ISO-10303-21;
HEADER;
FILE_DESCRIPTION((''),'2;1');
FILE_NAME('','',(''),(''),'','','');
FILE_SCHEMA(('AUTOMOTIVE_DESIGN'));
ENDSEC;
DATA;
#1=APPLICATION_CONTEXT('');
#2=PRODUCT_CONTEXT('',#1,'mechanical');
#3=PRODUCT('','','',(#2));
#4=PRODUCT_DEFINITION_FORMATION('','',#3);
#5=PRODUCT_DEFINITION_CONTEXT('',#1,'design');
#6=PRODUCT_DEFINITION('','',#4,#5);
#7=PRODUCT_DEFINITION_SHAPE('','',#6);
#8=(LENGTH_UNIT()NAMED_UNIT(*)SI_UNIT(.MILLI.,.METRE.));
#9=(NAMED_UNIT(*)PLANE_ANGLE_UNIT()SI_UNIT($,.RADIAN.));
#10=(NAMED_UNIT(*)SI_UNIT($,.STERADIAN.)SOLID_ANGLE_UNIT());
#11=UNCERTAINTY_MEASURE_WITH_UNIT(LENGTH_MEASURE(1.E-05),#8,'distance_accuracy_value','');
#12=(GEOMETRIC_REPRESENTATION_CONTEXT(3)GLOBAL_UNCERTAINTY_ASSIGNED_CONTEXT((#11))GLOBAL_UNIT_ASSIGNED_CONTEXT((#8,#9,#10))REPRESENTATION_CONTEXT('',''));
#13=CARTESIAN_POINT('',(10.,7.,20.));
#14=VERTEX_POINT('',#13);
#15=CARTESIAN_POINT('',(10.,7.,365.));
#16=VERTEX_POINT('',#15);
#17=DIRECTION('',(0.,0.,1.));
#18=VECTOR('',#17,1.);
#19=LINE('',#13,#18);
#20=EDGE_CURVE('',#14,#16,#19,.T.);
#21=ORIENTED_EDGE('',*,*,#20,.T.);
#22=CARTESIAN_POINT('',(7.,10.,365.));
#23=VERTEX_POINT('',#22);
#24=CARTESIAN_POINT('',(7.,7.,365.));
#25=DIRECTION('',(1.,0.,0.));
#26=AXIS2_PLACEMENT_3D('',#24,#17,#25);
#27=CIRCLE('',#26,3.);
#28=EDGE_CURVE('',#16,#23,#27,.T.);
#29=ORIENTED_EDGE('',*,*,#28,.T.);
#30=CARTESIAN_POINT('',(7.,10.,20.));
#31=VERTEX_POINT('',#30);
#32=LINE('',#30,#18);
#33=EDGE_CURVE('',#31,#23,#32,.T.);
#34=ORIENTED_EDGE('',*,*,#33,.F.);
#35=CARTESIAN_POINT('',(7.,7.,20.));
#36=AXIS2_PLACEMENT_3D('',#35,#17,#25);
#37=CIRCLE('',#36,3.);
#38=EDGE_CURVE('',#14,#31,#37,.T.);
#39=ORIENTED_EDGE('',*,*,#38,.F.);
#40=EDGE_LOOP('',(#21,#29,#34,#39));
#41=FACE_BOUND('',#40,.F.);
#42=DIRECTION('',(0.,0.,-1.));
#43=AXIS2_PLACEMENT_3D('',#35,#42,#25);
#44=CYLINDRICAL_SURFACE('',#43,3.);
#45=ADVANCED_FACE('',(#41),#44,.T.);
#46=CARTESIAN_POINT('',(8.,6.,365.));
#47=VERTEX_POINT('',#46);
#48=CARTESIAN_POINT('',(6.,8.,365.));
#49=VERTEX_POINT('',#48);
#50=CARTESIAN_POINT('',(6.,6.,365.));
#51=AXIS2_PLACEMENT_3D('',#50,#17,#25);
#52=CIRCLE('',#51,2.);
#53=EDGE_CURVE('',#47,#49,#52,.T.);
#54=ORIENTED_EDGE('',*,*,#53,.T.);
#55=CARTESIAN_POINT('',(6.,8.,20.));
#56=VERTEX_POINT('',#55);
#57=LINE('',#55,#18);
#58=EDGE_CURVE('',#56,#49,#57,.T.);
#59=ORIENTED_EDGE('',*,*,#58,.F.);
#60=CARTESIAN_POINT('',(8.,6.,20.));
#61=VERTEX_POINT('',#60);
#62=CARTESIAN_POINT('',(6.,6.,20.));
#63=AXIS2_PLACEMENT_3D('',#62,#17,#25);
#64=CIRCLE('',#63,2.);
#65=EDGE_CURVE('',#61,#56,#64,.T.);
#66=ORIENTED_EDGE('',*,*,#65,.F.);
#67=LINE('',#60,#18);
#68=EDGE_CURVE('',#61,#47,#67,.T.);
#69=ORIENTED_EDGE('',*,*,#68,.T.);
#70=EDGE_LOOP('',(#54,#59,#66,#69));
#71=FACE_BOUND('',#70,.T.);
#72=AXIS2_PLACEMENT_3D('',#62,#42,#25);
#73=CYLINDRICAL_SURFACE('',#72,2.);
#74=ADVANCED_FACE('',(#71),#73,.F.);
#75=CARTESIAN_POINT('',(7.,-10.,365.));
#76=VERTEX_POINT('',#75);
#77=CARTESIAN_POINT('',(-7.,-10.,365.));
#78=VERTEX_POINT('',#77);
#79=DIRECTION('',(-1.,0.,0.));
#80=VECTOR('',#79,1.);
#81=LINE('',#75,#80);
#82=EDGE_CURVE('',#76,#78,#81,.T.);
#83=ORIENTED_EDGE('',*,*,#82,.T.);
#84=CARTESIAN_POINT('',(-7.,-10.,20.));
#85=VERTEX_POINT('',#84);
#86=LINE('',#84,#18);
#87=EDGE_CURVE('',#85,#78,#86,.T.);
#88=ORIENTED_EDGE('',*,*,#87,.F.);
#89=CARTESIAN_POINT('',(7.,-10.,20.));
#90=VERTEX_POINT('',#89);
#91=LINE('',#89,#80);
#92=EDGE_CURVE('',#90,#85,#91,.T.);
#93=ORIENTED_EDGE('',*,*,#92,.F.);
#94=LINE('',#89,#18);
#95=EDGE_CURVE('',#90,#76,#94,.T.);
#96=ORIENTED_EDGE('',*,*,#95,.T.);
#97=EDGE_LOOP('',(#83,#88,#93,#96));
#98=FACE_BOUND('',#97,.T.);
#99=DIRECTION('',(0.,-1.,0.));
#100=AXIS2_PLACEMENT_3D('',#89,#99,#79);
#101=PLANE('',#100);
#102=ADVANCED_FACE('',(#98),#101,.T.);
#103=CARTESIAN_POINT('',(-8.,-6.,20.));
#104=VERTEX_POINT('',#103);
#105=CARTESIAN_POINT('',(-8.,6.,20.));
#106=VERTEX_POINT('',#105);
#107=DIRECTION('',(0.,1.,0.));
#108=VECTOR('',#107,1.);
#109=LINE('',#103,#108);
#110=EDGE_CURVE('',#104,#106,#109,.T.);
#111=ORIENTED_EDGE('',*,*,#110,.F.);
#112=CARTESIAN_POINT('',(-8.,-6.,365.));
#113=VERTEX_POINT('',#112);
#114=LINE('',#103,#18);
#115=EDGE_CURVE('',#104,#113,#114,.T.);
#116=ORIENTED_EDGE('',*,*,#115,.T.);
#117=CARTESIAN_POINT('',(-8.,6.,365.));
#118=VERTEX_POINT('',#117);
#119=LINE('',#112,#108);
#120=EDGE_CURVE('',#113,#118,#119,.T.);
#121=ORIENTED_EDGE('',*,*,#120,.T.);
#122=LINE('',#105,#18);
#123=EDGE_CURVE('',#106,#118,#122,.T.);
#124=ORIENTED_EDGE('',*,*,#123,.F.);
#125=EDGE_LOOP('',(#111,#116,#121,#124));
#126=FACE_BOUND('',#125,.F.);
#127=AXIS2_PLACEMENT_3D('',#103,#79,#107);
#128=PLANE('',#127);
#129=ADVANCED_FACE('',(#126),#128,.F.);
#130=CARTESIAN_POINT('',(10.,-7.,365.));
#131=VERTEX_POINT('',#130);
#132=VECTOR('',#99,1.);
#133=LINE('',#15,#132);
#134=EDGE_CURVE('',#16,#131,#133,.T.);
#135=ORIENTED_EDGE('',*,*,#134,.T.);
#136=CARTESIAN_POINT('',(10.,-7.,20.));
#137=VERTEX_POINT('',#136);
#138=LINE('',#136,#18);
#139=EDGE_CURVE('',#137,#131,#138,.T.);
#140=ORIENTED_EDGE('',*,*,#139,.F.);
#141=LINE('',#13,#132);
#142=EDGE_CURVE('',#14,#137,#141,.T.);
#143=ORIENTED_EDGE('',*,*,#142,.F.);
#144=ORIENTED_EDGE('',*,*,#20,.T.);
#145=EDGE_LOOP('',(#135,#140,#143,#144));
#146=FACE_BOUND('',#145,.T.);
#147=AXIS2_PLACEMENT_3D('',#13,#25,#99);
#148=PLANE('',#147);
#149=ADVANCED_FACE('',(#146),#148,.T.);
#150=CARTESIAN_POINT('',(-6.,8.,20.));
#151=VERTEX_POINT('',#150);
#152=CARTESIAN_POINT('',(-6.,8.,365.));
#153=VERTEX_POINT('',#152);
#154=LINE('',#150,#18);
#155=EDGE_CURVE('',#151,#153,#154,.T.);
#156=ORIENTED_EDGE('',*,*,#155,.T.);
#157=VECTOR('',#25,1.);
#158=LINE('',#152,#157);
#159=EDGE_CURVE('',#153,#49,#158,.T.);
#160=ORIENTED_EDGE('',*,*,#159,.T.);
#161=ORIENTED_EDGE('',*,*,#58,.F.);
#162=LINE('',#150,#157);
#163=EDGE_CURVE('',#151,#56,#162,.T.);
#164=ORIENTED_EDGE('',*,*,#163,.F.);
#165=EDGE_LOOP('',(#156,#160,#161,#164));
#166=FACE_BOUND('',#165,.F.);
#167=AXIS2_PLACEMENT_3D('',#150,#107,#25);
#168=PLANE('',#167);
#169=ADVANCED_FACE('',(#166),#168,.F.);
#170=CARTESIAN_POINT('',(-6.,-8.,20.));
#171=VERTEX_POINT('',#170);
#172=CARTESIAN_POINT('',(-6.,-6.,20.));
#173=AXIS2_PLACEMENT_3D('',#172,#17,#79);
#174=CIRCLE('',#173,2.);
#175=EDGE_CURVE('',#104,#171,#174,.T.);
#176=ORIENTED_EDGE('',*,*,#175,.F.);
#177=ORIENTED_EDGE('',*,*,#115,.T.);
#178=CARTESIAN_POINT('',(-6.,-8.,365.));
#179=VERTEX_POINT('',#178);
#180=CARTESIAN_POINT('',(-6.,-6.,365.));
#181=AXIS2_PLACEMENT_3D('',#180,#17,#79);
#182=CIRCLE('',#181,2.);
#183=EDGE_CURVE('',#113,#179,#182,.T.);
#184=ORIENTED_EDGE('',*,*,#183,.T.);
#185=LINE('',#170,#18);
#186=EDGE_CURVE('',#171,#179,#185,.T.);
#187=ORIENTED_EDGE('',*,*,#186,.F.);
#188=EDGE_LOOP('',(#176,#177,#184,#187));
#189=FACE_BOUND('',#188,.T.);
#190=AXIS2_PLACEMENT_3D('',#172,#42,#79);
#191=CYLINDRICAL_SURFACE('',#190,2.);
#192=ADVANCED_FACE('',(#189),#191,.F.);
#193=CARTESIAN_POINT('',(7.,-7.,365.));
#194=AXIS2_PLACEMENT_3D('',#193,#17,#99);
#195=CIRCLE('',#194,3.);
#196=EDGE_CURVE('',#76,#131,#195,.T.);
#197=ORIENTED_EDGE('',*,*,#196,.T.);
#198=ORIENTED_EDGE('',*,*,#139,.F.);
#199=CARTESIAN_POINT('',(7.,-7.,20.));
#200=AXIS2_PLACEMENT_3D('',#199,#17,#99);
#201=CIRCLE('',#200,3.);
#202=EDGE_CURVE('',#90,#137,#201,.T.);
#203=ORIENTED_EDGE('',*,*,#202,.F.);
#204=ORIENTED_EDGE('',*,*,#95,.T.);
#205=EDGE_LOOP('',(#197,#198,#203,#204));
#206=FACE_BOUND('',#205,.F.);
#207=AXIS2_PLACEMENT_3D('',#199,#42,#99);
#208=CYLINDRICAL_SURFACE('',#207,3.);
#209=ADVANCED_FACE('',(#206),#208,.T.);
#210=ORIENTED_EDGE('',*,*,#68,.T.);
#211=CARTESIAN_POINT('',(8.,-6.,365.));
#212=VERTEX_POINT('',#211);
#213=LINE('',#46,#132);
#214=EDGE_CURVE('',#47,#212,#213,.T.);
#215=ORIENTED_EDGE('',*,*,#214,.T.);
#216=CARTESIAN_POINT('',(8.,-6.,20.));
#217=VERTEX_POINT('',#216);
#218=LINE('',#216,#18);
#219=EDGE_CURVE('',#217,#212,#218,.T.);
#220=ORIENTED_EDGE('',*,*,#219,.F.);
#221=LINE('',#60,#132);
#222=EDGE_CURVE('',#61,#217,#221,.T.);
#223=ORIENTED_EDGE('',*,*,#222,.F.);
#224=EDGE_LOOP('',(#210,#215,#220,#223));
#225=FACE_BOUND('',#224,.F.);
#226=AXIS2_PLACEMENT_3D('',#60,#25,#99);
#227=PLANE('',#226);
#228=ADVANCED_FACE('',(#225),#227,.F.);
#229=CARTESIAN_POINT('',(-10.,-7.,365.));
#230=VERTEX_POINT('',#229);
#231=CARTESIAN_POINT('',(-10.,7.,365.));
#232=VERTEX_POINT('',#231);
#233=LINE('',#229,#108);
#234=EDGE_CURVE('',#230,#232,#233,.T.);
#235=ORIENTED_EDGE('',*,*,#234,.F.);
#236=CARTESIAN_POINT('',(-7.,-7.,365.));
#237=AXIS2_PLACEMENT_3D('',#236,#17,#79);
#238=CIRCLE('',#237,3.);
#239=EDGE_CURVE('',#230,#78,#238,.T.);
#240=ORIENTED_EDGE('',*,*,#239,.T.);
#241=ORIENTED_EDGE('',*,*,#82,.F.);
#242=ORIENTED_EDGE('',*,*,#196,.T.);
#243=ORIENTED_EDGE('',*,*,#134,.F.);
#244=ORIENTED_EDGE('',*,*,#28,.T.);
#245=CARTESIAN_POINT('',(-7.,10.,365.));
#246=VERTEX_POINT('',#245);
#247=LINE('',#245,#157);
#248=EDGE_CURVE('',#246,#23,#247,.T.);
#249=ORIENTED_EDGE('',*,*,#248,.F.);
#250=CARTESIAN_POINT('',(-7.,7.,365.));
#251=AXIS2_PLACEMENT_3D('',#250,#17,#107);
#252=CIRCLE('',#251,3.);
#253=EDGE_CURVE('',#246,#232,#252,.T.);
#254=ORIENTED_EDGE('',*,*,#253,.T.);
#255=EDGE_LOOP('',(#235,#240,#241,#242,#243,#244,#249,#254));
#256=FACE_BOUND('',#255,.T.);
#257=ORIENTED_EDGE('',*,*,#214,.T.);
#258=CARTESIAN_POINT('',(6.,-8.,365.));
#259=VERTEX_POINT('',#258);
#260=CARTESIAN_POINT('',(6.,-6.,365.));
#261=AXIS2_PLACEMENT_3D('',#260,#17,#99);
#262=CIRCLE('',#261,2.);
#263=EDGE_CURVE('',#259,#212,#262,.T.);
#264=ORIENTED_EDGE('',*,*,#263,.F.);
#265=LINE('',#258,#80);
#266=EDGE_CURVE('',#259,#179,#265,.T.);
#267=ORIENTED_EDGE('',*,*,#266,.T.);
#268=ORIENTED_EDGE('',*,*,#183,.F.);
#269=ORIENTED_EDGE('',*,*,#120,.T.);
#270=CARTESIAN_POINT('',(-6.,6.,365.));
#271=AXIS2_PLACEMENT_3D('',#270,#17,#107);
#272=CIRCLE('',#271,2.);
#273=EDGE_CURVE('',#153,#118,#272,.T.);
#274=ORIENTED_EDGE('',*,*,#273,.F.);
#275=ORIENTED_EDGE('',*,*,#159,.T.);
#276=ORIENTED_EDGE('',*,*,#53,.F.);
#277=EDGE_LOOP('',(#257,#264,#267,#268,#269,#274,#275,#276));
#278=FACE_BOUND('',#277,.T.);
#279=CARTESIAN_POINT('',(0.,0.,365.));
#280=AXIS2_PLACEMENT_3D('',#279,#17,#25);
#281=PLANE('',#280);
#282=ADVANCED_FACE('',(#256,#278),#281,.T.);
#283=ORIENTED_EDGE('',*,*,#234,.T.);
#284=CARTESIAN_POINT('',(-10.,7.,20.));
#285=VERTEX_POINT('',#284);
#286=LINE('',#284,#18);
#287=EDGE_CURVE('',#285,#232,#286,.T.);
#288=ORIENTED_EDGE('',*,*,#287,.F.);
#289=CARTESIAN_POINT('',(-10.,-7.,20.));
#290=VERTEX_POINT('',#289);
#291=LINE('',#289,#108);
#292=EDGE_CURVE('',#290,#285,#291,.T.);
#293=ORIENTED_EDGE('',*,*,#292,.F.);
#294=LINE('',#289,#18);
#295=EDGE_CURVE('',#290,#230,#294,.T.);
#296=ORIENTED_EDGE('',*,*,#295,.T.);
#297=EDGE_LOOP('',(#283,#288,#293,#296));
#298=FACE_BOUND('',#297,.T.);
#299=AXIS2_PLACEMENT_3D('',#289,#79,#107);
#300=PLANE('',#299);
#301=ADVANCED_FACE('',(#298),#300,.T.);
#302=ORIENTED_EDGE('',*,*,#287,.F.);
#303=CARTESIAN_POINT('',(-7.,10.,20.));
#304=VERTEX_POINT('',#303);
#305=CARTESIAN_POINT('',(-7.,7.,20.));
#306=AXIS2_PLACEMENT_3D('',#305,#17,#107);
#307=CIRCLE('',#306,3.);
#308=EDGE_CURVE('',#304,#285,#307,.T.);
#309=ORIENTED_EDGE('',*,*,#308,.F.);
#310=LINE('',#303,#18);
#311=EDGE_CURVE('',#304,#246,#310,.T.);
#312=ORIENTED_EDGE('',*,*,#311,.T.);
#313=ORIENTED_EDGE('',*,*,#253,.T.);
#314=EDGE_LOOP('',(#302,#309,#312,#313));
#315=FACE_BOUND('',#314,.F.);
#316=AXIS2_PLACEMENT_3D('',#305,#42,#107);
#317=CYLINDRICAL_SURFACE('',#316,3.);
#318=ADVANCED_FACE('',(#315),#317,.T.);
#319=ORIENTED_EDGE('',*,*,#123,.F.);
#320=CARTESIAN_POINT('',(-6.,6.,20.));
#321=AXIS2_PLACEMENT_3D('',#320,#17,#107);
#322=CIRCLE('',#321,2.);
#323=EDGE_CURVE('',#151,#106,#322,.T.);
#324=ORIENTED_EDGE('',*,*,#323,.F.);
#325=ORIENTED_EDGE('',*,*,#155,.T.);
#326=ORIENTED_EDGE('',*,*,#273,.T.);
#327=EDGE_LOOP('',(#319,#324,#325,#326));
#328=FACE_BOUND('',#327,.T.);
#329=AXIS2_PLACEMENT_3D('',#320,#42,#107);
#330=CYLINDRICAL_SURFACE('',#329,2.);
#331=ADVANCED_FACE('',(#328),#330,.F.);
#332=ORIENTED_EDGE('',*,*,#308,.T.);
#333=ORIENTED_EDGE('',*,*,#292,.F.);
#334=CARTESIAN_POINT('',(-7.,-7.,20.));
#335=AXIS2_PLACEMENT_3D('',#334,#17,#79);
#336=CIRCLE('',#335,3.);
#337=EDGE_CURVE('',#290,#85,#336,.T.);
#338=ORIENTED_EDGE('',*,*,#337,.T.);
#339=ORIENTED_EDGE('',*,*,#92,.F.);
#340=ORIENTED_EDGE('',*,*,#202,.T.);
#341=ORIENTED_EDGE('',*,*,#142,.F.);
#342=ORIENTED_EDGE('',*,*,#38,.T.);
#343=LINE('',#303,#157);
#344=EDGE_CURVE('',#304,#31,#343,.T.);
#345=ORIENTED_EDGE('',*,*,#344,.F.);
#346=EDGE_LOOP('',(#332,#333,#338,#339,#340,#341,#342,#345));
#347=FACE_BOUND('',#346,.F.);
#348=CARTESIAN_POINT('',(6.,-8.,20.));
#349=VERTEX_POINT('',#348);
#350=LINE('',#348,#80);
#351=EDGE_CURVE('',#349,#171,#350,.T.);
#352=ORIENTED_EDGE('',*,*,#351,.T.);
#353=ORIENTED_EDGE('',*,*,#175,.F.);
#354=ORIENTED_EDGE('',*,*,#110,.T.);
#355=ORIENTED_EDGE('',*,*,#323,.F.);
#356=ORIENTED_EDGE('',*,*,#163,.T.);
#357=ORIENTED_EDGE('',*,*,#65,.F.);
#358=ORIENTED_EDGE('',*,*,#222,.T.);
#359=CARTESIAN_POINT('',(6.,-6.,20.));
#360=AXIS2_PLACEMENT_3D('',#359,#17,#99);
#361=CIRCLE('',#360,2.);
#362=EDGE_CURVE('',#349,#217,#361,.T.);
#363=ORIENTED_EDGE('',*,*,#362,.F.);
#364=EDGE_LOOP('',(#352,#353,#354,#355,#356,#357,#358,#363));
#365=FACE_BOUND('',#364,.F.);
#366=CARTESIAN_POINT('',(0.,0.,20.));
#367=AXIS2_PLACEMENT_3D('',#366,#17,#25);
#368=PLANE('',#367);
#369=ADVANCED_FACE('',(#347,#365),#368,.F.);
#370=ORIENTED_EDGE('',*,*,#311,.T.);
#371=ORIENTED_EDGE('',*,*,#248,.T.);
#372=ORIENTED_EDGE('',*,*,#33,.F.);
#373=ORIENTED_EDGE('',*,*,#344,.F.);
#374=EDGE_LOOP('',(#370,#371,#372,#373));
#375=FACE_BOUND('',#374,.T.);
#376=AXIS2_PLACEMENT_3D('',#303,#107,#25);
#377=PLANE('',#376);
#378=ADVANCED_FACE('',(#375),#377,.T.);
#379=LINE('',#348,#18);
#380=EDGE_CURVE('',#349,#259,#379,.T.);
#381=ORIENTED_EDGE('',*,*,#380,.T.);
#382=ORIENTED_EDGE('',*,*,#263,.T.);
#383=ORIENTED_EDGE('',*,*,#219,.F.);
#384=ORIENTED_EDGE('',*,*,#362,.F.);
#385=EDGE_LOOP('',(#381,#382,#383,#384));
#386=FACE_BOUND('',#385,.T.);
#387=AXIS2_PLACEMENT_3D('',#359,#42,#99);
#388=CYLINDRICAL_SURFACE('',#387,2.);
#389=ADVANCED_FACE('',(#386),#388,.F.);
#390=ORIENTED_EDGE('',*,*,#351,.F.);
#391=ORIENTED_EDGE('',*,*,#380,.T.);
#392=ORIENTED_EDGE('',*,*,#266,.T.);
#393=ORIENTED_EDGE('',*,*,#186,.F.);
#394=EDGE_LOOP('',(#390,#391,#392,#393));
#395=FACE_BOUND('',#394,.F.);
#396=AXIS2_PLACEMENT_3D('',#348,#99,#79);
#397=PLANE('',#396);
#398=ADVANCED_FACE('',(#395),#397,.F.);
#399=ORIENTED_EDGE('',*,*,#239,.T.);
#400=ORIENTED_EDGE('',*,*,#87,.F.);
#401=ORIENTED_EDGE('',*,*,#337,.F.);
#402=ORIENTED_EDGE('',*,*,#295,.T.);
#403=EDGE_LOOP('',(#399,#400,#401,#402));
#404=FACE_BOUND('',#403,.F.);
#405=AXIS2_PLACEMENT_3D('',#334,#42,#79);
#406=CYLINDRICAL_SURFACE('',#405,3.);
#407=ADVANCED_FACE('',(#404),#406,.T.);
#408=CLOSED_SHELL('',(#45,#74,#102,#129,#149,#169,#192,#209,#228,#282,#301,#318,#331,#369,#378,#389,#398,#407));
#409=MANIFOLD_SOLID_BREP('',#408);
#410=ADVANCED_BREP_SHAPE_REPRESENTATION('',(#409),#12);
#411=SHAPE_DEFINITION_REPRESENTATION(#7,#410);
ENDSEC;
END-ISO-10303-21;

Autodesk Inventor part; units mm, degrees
ref_plane "Start Plane" through (0, 0, 20) normal (0, 0, 1) x (1, 0, 0)
ref_plane "End Plane" through (0, 0, 365) normal (0, 0, 1) x (1, 0, 0)
sketch "Sketch" plane through (0, 0, 0) normal (0, 0, 1) x (1, 0, 0)
  line L0 (-10, -7) -> (-10, 7)
  line L1 (-7, 10) -> (7, 10)
  line L2 (10, 7) -> (10, -7)
  line L3 (7, -10) -> (-7, -10)
  arc A0 (-10, -7) -> (-7, -10) centre (-7, -7) ccw
  arc A1 (-7, 10) -> (-10, 7) centre (-7, 7) ccw
  arc A2 (10, 7) -> (7, 10) centre (7, 7) ccw
  arc A3 (7, -10) -> (10, -7) centre (7, -7) ccw
  line L4 (-6, 8) -> (6, 8)
  line L5 (8, 6) -> (8, -6)
  line L6 (6, -8) -> (-6, -8)
  line L7 (-8, -6) -> (-8, 6)
  line L8 (0, 14.8698) -> (0, -14.8698) construction
  line L9 (-14.8698, 0) -> (14.8698, 0) construction
  arc A4 (-8, -6) -> (-6, -8) centre (-6, -6) ccw
  arc A5 (-6, 8) -> (-8, 6) centre (-6, 6) ccw
  arc A6 (8, 6) -> (6, 8) centre (6, 6) ccw
  arc A7 (6, -8) -> (8, -6) centre (6, -6) ccw
  dimension "d7" = 3
  dimension "d10" = 20
  dimension "d11" = 20
  dimension "d12" = 2
  dimension "d15" = 10
  dimension "d16" = 10
  dimension "d19" = 2
  dimension "d20" = 2
extrude "Body" add sketch "Sketch" along normal up to surface (345 mm away) from surface at 20
sketch "Sketch3" plane through (0, 0, 0) normal (0, 0, 1) x (1, 0, 0)
  line L0 (0, 0) -> (10, 0)
ref_plane "Work Plane3" through (0, 0, 0) normal (0, -1, 0) x (1, 0, 0)
ref_plane "Work Plane4" through (162.5, -7, 365) normal (0, 0, 1) x (1, 0, 0)
split "Split1" plane through (162.5, -7, 365) removes the side toward (0, 0, 1)
ref_plane "Work Plane5" through (-162.5, -7, 20) normal (0, 0, -1) x (-1, 0, 0)
split "Split2" plane through (-162.5, -7, 20) removes the side toward (0, 0, -1)
sketch "Sketch4" plane through (0, 0, 0) normal (0, -1, 0) x (1, 0, 0)
  line L0 (-2, 20) -> (12, 20) projected
  line L1 (-2, 365) -> (12, 365) projected
  dimension "d18" = 345
equation "\"d7\" = G_IR"
equation "\"d10\" = G_H"
equation "\"d11\" = G_W"
equation "\"d12\" = G_T"
equation "\"d15\" = 0.5 * d10"
equation "\"d16\" = 0.5 * d11"
equation "\"d19\" = G_T"
equation "\"d20\" = G_T"
equation "\"d3\" = G_L"
equation "\"G_W\" = 20"
equation "\"G_H\" = 20"
equation "\"G_T\" = 2"
equation "\"G_IR\" = 3"
equation "\"G_L\" = d18"
equation "\"d14\" = G_OFFSET_END + B_L"
equation "\"B_L\" = 385"
equation "\"G_OFFSET_END\" = -20"
properties part number "DIN EN 10210-2 - 20 x 20 x 2 - 345" material "Steel, Mild"
